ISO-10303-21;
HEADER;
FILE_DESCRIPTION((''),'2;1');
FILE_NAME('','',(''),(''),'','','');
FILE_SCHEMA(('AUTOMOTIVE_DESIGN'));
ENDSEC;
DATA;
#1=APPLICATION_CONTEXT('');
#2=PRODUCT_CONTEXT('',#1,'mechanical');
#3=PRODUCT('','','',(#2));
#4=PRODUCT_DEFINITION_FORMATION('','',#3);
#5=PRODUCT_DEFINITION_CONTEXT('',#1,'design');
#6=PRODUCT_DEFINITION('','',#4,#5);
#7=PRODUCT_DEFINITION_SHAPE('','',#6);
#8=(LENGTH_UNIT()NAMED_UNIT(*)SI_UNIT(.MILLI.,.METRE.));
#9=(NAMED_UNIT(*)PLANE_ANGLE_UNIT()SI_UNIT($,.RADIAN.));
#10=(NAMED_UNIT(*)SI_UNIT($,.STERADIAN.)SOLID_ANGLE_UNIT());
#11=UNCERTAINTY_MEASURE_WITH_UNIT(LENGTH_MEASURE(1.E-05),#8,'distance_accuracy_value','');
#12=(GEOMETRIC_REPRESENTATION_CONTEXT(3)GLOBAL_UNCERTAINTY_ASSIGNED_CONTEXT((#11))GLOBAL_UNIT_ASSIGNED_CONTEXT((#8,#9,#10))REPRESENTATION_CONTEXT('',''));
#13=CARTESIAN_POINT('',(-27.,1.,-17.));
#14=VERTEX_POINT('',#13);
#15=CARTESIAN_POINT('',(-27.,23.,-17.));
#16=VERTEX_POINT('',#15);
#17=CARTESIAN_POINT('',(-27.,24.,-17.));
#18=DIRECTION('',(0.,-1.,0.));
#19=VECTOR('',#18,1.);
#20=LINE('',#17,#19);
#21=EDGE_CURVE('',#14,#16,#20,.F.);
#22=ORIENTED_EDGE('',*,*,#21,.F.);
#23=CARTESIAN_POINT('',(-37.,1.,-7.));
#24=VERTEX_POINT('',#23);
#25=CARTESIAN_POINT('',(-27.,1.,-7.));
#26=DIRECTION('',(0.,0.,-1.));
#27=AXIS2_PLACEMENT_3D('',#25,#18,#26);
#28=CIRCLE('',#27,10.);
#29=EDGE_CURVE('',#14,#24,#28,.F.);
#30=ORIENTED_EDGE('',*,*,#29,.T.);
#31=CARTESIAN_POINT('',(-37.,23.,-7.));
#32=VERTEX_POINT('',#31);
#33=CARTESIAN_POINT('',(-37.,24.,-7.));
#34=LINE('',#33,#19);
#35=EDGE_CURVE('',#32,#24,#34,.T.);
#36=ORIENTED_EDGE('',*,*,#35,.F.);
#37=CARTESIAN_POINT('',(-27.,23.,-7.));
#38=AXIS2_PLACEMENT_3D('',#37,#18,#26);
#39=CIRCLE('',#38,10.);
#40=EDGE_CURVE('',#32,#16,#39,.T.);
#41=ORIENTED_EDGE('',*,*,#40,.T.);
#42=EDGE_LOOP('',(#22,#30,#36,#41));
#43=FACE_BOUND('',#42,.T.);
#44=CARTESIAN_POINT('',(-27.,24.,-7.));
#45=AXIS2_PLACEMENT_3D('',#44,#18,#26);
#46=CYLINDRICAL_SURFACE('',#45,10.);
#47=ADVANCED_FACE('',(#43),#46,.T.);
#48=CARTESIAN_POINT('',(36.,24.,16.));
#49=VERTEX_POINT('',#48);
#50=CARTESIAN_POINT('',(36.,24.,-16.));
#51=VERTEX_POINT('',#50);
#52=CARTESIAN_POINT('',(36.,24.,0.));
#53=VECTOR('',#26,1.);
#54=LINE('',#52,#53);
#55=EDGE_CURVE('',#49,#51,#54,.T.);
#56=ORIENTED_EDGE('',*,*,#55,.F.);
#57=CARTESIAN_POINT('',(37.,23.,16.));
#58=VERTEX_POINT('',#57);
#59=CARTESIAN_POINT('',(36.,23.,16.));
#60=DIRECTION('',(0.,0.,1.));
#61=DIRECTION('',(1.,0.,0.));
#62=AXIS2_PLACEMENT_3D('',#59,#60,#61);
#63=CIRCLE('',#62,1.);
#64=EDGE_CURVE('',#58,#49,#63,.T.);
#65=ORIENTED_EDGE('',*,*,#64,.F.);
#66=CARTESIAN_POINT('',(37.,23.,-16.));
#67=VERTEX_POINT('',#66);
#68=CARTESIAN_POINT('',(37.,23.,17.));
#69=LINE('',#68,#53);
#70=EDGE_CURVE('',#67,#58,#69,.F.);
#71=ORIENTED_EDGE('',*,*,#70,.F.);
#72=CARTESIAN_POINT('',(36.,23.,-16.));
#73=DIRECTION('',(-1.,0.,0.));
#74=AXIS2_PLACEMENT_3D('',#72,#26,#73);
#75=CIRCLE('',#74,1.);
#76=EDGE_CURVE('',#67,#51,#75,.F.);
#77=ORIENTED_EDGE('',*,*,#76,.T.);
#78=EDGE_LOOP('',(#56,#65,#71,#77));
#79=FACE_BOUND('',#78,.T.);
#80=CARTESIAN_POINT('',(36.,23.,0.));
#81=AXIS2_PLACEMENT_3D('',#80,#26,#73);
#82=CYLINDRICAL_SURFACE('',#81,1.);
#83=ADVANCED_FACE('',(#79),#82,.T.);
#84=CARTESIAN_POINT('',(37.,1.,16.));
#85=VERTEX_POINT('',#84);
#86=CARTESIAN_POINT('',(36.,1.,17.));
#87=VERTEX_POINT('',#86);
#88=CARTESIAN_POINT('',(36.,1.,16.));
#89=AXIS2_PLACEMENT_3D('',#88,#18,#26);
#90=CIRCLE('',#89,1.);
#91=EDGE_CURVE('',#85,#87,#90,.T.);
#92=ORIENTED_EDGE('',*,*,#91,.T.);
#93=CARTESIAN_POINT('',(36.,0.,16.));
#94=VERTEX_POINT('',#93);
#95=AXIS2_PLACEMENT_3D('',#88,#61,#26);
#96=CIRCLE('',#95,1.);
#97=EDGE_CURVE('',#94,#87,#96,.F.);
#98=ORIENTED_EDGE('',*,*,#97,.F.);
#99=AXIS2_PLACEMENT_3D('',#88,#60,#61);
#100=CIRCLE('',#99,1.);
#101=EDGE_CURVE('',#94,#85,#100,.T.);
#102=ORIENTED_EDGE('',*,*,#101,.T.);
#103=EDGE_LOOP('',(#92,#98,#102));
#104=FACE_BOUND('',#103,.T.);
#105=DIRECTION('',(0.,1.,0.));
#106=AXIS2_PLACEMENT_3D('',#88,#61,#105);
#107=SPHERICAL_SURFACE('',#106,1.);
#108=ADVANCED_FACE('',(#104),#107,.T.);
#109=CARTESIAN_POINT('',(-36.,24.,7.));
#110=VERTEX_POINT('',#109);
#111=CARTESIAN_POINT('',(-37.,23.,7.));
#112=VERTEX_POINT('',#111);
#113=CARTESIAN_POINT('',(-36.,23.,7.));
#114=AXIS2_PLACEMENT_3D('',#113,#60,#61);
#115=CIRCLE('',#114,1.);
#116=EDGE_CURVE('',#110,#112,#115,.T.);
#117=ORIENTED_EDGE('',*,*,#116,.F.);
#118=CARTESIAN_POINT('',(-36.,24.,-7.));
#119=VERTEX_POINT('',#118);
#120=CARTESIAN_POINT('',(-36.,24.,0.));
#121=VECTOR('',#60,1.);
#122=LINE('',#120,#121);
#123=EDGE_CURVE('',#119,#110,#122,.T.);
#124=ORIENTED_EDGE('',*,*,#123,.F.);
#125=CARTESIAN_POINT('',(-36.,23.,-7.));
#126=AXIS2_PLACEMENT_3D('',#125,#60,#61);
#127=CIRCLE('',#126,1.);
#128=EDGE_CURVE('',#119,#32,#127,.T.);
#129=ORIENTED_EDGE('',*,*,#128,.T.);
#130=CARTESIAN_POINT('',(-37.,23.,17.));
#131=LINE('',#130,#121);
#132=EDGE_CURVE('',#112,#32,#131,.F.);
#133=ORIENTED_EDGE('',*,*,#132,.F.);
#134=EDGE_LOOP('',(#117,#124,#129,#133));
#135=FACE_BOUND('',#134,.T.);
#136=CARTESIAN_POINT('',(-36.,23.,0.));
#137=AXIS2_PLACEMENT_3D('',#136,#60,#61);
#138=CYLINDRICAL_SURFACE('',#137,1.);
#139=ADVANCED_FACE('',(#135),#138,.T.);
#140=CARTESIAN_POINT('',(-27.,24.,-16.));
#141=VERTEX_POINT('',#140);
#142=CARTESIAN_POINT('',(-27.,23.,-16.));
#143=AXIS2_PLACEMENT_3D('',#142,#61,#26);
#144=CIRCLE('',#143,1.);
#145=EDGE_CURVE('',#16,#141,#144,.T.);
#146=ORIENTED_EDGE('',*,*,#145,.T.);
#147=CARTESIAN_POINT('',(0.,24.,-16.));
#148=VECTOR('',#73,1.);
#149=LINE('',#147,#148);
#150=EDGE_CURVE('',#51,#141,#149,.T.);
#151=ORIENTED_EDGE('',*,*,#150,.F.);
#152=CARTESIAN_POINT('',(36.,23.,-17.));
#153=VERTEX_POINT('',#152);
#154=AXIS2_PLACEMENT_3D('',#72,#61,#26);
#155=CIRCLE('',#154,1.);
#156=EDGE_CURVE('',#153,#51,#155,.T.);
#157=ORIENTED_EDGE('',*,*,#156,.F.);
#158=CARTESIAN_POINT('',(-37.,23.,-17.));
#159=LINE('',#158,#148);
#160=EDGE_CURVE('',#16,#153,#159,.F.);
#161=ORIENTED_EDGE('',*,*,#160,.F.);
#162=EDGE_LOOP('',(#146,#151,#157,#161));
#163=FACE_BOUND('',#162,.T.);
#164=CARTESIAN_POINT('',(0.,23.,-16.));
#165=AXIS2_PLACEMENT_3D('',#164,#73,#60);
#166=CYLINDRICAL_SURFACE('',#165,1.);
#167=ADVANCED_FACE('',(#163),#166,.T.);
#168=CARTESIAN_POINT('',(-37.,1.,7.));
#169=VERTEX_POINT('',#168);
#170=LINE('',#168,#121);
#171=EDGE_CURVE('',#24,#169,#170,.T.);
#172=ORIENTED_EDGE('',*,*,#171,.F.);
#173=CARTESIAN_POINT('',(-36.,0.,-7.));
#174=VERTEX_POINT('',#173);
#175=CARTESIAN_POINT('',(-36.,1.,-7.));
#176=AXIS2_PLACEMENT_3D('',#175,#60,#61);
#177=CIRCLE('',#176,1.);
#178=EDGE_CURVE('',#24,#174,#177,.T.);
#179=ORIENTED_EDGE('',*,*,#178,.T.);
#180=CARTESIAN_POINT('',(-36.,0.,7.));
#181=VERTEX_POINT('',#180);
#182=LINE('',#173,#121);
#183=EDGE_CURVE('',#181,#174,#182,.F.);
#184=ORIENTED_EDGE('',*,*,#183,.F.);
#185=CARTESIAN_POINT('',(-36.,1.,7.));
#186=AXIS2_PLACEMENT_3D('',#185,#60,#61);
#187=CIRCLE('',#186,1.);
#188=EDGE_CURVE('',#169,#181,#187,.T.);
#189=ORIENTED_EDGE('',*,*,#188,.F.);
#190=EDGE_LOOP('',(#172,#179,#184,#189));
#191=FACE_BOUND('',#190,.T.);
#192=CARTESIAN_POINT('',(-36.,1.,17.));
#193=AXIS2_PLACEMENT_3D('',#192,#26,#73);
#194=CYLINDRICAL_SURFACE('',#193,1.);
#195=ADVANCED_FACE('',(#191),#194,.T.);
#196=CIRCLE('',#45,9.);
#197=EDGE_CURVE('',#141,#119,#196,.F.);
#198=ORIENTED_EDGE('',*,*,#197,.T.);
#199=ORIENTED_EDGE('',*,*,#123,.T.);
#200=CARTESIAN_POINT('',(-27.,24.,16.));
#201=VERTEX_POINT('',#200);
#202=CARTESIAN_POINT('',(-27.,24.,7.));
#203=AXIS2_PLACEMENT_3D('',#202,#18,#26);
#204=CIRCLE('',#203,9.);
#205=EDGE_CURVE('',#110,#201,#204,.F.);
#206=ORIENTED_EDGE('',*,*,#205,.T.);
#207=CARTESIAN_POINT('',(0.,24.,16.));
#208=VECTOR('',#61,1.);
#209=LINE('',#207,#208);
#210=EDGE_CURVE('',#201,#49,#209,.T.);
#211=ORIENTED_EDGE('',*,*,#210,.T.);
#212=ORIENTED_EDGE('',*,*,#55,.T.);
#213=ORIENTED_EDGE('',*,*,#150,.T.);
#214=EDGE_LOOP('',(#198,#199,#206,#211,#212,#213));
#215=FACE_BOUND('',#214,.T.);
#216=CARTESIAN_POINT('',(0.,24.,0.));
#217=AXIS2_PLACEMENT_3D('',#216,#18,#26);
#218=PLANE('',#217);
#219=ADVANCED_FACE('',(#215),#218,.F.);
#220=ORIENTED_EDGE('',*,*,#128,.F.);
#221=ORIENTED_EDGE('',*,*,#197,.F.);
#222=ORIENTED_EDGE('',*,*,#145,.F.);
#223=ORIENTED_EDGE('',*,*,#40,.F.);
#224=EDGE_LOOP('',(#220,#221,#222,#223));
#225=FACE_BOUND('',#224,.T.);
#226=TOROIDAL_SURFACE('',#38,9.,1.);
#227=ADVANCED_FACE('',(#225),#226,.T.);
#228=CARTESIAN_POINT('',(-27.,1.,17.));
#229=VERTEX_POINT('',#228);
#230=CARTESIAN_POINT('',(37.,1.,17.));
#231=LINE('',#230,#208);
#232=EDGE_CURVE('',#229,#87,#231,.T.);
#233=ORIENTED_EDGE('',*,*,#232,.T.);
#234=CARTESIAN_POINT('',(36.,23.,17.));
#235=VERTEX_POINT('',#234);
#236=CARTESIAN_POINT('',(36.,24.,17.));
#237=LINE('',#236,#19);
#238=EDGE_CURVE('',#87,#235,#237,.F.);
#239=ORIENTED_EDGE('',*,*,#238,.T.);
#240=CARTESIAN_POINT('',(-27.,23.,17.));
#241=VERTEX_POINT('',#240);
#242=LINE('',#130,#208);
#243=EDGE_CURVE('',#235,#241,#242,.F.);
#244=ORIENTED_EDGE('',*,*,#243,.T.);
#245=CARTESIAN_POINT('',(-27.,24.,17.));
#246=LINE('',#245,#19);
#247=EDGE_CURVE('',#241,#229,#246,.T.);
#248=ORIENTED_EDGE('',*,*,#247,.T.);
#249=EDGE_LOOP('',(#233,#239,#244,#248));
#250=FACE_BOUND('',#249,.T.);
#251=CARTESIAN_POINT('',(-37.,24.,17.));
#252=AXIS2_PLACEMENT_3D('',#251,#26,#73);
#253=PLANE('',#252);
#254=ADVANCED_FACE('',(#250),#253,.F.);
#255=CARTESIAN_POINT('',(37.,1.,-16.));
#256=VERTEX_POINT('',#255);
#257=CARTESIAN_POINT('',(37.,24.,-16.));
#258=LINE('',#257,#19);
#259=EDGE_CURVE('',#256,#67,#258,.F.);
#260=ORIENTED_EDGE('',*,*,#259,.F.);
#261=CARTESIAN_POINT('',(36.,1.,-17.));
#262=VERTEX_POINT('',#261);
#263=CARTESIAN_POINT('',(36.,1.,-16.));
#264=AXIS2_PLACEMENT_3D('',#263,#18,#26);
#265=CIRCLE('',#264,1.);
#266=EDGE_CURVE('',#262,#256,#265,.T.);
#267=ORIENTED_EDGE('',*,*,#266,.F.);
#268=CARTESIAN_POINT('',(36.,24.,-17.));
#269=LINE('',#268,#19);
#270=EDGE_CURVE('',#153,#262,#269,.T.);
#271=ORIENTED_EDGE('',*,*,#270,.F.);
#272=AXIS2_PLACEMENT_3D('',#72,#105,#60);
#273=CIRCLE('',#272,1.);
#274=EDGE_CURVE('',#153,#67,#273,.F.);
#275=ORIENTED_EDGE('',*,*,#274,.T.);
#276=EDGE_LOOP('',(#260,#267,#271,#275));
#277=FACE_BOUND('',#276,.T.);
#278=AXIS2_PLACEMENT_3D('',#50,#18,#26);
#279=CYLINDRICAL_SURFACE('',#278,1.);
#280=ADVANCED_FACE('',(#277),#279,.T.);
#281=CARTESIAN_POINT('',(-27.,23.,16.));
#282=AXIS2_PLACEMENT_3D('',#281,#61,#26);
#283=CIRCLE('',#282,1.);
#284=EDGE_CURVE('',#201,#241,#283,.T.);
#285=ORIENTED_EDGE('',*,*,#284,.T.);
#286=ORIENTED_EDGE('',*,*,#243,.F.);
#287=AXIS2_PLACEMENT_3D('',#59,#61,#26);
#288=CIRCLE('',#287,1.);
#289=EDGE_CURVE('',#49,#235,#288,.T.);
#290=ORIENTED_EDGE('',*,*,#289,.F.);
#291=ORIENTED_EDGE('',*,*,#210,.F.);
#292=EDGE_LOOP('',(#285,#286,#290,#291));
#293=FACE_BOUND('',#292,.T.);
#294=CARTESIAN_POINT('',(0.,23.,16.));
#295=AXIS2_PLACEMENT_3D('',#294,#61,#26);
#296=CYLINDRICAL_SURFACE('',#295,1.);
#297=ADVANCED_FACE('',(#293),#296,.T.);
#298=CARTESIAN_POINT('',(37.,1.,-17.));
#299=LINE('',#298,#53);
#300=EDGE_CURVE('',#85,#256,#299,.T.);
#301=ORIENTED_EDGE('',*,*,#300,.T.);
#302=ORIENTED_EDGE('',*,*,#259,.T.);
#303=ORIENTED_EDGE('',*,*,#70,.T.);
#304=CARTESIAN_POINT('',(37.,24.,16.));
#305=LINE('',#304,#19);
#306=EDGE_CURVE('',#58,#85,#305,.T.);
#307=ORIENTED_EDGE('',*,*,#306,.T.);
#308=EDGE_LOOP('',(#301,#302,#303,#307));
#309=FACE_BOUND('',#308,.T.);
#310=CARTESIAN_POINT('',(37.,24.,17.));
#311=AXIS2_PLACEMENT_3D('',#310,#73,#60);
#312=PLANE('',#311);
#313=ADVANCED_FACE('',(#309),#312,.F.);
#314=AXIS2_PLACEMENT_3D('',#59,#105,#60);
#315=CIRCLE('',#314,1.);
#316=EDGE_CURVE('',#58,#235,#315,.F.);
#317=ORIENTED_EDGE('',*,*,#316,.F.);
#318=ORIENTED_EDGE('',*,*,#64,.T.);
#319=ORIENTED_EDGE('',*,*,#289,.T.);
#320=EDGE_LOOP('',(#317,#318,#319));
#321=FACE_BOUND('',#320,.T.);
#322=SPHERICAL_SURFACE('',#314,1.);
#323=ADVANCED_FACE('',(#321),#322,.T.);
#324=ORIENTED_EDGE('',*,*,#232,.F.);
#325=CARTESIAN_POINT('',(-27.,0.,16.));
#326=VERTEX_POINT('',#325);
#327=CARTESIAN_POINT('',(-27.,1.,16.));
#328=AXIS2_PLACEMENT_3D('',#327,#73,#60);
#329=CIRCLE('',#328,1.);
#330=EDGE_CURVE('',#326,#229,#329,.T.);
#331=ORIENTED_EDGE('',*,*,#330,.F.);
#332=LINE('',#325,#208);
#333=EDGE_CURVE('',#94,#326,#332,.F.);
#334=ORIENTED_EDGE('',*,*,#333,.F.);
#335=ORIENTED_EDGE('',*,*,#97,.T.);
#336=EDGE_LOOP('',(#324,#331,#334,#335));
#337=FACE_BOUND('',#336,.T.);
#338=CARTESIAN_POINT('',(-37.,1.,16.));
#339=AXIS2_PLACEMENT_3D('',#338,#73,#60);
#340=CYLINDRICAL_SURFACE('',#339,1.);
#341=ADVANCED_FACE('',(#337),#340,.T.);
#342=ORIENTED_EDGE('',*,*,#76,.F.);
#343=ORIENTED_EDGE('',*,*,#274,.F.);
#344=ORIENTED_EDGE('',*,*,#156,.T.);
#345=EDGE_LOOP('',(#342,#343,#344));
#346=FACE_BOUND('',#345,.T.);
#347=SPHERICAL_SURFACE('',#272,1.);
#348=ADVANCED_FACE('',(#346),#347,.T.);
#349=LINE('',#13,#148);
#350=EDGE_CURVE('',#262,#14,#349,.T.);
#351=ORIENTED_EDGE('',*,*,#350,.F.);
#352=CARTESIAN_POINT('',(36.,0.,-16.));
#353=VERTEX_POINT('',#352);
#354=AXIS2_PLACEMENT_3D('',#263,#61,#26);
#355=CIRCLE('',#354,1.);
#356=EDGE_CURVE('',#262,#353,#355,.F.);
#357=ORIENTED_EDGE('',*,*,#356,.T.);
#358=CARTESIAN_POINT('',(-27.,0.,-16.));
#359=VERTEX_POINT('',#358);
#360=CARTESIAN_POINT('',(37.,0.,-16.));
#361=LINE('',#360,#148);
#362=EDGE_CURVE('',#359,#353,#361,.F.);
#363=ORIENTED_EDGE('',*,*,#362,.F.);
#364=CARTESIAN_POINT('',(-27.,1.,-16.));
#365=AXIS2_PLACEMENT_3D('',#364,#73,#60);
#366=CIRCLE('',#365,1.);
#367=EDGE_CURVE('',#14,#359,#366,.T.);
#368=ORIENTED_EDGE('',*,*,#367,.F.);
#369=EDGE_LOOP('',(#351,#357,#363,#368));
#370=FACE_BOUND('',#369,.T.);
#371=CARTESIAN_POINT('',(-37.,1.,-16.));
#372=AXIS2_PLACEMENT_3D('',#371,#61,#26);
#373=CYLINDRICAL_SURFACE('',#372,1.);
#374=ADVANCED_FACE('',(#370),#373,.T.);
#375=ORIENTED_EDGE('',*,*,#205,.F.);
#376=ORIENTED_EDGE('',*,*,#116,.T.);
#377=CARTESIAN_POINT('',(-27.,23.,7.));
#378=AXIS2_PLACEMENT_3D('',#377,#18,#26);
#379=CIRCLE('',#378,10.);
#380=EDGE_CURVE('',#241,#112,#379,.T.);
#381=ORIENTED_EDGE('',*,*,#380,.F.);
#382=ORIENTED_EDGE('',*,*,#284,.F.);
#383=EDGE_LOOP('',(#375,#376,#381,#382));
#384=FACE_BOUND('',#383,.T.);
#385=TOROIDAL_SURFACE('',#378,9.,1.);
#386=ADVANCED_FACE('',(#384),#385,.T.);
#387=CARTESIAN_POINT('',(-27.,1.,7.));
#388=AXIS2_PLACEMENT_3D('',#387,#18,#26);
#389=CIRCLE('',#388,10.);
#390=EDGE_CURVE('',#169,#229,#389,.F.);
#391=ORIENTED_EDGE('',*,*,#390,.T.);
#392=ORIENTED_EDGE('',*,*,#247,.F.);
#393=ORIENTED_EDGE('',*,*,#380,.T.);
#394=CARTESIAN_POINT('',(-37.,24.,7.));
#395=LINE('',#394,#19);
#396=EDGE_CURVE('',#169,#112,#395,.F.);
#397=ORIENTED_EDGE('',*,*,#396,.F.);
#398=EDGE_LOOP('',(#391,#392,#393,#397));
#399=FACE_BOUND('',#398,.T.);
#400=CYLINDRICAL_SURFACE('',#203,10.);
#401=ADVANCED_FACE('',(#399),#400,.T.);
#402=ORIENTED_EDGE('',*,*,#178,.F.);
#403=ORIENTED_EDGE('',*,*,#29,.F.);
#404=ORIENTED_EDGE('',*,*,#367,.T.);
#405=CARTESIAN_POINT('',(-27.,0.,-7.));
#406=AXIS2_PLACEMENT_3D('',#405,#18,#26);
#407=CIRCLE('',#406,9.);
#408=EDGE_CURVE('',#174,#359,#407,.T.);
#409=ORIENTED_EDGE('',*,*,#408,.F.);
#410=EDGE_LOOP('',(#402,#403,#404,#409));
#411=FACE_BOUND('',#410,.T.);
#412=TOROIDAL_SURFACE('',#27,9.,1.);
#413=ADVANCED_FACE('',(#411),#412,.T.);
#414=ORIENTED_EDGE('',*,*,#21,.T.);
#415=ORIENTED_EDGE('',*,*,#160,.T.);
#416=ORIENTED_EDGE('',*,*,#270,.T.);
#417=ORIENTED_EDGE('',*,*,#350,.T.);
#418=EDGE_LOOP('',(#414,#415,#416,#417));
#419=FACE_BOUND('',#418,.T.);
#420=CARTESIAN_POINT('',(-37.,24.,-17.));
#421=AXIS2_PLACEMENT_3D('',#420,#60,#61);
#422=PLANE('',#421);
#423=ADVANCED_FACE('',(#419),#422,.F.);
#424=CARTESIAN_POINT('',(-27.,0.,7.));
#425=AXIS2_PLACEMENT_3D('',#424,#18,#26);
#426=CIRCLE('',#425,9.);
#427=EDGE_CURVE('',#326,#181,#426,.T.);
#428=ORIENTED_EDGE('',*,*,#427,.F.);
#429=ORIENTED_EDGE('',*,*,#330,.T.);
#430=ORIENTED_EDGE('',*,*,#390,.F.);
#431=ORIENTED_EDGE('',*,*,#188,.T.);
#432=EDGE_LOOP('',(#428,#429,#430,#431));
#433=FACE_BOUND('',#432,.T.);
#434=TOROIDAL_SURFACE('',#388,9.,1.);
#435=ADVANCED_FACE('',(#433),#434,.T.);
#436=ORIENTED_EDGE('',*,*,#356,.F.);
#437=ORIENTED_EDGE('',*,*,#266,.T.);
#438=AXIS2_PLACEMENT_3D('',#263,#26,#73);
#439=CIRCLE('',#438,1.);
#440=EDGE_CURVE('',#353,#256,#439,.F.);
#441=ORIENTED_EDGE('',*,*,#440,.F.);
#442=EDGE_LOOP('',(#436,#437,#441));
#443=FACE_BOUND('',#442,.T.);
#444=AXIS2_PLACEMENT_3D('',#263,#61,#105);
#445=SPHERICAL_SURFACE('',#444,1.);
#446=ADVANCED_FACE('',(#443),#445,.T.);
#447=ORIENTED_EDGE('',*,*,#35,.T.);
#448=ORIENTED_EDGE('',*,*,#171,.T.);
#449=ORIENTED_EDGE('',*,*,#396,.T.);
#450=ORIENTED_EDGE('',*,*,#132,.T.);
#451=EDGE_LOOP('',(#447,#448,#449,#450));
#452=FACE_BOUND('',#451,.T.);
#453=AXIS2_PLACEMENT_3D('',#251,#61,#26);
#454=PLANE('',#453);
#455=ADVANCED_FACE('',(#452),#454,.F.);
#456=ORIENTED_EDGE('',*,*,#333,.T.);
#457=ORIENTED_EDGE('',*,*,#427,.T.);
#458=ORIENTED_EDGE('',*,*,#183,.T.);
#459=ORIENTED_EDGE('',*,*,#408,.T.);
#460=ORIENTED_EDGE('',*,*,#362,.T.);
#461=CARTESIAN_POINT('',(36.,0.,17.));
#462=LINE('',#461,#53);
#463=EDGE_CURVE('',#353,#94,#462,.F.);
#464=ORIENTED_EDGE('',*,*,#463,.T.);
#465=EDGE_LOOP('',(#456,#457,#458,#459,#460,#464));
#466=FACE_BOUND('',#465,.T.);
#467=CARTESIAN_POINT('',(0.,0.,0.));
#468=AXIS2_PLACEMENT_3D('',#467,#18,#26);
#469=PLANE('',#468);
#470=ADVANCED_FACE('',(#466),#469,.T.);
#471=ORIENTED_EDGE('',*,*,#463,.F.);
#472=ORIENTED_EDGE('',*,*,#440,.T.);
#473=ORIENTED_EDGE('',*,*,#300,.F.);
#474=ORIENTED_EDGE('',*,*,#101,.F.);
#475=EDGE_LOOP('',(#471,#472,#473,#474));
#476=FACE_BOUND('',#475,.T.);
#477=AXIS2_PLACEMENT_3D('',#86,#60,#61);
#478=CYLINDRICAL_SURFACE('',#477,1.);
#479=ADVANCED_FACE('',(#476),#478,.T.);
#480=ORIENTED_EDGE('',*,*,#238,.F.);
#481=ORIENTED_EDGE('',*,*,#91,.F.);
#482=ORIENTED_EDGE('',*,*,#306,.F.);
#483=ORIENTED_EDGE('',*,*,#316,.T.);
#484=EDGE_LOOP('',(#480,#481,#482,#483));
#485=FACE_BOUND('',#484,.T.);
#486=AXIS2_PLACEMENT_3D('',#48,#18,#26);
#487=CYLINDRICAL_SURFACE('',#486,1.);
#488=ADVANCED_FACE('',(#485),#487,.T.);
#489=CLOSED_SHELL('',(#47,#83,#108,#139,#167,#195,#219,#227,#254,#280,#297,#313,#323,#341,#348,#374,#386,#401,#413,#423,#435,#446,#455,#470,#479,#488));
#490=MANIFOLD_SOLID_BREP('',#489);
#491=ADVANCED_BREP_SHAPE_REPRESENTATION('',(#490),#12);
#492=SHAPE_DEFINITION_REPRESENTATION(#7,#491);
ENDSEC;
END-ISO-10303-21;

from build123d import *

# Parameters (mm, degrees)
SKETCH1_W           = 74
SKETCH1_H           = 34
BOSS_EXTRUDE1_DEPTH = 24
FILLET1_R           = 10
FILLET2_R           = 1


with BuildPart() as part:
    # Sketch1 → Boss-Extrude1 (new body)
    with BuildSketch(Plane(origin=(0, 0, 0), x_dir=(1, 0, 0), z_dir=(0, 1, 0))):
        Rectangle(SKETCH1_W, SKETCH1_H)
    extrude(amount=BOSS_EXTRUDE1_DEPTH)

    # Fillet1
    fillet1_edges = [part.edges().sort_by_distance(p)[0] for p in [
        (-37, 12, 17),
        (-37, 12, -17),
    ]]
    fillet(fillet1_edges, radius=FILLET1_R)

    # Fillet2
    fillet2_edges = [part.edges().sort_by_distance(p)[0] for p in [
        (-37, 0, 0),
        (-37, 24, 0),
        (5, 0, 17),
        (-34.071067812, 0, 14.071067812),
        (-34.071067812, 0, -14.071067812),
        (5, 24, 17),
        (-34.071067812, 24, 14.071067812),
        (-34.071067812, 24, -14.071067812),
        (37, 24, 0),
        (5, 0, -17),
        (37, 0, 0),
        (37, 12, 17),
        (37, 12, -17),
        (5, 24, -17),
    ]]
    fillet(fillet2_edges, radius=FILLET2_R)


solid = part.part
